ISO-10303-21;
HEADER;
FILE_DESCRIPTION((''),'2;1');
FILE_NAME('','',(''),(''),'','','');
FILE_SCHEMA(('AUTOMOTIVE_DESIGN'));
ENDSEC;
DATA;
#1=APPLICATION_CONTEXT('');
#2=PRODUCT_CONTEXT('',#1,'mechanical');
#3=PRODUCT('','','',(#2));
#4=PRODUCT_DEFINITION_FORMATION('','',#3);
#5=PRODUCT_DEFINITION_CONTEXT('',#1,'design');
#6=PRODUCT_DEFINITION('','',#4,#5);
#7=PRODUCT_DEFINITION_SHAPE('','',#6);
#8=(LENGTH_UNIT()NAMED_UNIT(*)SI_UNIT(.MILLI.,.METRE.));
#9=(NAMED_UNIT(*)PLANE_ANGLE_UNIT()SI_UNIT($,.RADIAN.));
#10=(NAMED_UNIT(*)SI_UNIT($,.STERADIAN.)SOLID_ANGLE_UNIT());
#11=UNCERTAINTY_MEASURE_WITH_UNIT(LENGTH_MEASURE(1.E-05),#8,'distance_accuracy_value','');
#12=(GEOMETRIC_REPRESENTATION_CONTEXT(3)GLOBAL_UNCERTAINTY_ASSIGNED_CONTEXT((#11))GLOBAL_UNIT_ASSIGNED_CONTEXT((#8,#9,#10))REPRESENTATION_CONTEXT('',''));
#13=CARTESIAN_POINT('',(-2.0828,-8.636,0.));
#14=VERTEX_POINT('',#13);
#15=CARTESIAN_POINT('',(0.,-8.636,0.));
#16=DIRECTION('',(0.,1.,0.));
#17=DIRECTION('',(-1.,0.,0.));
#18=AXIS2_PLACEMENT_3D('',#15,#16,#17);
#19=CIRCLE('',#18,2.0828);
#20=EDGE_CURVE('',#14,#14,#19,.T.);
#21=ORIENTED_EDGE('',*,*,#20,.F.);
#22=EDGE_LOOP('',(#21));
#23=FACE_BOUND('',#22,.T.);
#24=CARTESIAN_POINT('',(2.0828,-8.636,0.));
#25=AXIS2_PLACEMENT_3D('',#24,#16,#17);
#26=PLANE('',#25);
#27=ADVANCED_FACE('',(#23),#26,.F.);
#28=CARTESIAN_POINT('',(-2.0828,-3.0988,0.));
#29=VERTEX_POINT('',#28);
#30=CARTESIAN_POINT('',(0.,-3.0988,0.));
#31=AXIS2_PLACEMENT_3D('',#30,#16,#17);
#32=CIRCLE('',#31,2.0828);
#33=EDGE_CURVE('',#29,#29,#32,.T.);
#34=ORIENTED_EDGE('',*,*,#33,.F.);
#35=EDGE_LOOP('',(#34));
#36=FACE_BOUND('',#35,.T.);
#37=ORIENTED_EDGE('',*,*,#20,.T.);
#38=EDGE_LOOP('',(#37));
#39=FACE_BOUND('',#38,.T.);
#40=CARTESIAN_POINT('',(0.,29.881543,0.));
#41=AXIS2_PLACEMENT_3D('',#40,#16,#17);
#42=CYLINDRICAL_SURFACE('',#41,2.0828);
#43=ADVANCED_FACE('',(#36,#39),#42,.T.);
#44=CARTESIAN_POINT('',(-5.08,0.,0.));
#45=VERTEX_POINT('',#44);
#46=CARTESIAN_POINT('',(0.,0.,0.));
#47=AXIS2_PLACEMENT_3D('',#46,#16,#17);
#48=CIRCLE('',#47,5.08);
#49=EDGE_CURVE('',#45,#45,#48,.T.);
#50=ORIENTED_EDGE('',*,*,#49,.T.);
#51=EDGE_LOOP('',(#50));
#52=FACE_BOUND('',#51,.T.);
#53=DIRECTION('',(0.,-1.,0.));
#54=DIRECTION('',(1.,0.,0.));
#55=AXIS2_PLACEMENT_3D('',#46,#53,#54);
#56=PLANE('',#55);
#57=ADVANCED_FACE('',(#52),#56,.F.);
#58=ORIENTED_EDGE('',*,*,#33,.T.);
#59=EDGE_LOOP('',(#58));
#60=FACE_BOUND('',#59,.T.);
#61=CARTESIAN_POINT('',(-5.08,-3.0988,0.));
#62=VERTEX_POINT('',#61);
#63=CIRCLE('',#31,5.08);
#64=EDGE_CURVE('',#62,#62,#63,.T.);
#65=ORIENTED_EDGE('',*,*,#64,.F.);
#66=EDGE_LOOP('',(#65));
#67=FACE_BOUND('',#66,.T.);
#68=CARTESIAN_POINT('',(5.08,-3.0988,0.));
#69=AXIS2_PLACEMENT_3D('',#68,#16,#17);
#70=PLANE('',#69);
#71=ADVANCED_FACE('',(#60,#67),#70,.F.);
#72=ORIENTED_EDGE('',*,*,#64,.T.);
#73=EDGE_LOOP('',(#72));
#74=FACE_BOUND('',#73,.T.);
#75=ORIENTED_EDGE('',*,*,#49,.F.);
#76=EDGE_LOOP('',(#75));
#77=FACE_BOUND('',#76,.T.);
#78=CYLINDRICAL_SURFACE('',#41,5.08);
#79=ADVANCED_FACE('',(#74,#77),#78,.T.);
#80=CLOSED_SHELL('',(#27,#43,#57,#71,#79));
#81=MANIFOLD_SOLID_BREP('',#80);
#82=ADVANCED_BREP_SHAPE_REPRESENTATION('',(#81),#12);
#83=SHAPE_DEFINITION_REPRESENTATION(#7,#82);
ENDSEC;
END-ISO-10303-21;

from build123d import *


with BuildPart() as part:
    # Sketch1 → Revolve1 (revolve)
    with BuildSketch(Plane.XY, mode=Mode.PRIVATE) as revolve1_sk:
        Polygon((0, 0), (0, -8.636), (2.0828, -8.636), (2.0828, -3.0988), (5.08, -3.0988), (5.08, 0), align=None)
    revolve(revolve1_sk.sketch.rotate(Axis((0, 29.88154274, 0), (0, -1, 0)), 180), axis=Axis((0, 29.88154274, 0), (0, -1, 0)))  # turned: the seam where the file's is


solid = part.part
